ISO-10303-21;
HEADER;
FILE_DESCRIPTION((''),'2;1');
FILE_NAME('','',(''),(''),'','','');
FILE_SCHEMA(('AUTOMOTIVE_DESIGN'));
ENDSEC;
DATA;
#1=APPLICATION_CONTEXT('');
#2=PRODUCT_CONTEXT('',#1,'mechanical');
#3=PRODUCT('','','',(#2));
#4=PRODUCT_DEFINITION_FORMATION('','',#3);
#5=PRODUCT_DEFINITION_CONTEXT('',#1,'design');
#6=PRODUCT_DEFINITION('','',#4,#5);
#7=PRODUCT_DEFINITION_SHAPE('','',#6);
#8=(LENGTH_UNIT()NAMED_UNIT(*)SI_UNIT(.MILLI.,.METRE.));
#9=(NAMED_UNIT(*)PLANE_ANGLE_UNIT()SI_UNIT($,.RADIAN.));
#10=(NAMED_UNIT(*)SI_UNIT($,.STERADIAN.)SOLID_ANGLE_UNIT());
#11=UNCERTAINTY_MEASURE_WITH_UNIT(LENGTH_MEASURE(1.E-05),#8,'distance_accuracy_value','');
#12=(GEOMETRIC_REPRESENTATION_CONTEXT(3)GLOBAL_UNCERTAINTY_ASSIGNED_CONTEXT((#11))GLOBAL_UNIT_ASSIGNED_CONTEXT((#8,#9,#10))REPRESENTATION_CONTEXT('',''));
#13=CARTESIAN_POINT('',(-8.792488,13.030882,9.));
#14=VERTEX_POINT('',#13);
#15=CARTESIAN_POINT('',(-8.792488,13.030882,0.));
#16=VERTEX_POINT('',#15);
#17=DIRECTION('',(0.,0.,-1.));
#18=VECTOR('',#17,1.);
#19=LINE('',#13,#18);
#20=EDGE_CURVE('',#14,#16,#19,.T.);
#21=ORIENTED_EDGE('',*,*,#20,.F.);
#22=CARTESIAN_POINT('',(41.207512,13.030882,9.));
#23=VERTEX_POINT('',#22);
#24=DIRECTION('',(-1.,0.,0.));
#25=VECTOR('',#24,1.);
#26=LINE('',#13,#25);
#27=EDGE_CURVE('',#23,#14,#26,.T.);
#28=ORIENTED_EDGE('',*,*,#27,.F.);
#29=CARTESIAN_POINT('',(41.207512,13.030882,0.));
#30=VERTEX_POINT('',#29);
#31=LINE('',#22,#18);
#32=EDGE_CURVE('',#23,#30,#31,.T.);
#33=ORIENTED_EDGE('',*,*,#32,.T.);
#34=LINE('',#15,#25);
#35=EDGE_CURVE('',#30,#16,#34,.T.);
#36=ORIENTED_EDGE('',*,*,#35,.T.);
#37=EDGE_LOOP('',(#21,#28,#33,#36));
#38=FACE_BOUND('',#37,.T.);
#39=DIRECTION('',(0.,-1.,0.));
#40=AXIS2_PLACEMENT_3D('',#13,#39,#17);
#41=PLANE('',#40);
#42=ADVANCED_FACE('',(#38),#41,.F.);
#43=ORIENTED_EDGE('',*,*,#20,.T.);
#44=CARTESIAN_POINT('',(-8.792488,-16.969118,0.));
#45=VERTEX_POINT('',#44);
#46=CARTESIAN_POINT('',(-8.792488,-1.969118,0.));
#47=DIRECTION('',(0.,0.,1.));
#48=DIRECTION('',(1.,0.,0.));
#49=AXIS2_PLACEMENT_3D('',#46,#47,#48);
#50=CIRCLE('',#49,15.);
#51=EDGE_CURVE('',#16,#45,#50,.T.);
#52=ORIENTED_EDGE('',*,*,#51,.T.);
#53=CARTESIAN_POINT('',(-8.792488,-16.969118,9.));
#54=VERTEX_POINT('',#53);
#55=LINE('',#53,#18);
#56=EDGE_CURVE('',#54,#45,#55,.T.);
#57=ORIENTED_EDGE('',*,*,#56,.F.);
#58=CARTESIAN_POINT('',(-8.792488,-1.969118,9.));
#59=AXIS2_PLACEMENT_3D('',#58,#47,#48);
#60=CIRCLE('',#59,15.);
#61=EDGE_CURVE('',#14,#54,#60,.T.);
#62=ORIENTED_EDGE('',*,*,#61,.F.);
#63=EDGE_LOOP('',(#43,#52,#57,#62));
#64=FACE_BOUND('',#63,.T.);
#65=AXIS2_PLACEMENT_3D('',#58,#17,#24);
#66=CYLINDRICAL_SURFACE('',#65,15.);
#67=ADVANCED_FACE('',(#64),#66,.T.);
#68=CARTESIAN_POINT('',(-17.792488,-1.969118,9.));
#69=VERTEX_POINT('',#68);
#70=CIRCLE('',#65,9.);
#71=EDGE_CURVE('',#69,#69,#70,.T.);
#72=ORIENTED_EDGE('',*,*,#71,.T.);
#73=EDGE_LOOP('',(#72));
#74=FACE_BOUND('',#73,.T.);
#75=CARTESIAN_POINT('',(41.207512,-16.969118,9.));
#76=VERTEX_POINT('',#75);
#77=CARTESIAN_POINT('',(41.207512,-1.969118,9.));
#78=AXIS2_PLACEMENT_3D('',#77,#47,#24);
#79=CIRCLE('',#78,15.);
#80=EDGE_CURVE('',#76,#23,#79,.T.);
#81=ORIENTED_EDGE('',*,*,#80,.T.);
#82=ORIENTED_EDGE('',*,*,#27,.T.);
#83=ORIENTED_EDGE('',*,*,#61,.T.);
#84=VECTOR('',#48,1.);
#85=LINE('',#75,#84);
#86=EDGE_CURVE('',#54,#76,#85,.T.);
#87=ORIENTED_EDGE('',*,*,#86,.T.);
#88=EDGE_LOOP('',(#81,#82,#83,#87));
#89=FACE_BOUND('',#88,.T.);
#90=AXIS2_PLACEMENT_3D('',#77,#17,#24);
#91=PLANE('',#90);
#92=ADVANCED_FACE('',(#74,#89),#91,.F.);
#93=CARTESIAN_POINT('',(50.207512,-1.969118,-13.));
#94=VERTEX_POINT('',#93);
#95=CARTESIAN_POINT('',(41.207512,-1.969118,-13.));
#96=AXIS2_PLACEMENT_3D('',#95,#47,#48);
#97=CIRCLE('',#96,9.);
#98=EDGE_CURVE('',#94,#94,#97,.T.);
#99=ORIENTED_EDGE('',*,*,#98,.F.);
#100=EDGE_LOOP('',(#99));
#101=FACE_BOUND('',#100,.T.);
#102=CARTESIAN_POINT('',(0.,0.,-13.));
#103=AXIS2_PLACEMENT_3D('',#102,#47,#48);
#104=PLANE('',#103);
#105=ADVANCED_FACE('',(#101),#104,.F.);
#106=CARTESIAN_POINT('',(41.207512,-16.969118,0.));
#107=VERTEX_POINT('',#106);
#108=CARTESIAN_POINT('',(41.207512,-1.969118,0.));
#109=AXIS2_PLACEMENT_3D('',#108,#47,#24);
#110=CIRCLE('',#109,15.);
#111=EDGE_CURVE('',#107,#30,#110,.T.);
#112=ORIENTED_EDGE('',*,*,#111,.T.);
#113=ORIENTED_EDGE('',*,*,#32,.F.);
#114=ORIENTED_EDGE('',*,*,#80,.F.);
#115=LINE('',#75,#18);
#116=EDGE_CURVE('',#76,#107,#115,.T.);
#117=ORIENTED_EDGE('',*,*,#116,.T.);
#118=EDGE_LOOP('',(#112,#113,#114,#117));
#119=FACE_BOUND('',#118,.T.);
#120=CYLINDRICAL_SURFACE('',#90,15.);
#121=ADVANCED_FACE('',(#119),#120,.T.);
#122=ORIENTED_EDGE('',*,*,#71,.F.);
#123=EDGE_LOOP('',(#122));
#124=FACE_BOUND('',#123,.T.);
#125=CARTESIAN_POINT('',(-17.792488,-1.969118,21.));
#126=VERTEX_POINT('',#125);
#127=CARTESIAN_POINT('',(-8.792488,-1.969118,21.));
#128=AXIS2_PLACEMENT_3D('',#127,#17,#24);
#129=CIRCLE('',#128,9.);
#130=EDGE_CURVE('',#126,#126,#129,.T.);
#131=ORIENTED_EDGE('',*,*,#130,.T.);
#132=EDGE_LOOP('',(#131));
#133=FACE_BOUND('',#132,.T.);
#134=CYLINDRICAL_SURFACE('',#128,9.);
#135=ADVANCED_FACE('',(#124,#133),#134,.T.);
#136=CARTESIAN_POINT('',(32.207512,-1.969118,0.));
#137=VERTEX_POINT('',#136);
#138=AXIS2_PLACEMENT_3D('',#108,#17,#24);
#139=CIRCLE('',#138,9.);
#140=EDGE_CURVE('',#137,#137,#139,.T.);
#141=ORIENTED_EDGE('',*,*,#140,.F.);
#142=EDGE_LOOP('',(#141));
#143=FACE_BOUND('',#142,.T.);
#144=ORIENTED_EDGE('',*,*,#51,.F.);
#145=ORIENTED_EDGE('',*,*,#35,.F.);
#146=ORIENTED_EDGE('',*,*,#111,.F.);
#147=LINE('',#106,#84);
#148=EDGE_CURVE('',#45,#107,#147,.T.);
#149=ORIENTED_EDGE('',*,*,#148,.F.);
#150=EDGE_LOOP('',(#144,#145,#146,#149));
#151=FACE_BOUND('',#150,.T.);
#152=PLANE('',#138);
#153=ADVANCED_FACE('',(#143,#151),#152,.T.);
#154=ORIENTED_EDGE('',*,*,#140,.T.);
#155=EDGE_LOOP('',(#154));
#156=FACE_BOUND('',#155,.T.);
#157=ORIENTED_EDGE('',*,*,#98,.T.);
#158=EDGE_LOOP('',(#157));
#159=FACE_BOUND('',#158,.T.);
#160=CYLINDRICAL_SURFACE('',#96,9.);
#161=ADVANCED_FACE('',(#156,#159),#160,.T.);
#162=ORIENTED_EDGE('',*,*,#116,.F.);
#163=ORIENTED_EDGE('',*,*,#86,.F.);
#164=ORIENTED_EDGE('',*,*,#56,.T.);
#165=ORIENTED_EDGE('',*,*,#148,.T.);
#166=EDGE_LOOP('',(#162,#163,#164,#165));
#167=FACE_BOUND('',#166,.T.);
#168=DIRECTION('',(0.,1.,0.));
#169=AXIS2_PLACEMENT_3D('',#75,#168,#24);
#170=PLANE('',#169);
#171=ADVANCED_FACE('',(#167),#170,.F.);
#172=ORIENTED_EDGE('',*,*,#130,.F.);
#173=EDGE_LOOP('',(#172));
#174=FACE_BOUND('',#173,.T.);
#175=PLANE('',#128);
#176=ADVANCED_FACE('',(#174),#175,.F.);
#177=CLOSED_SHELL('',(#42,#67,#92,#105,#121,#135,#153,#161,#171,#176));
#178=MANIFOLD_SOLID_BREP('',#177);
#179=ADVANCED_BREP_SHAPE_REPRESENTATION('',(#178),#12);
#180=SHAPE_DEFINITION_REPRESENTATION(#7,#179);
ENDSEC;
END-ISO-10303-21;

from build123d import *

# Parameters (mm, degrees)
SALIENTE_EXTRUIR1_DEPTH = 9
CROQUIS2_R              = 9
SALIENTE_EXTRUIR2_DEPTH = 12
CROQUIS2_2_R            = 9
SALIENTE_EXTRUIR3_DEPTH = 22


with BuildPart() as part:
    # Croquis1 → Saliente-Extruir1 (new body)
    with BuildSketch(Plane.XY):
        with BuildLine():
            Line((-8.792487614, 13.030881789), (41.207512386, 13.030881789))
            ThreePointArc((41.207512386, 13.030881789), (56.207512386, -1.969118211), (41.207512386, -16.969118211))
            Line((41.207512386, -16.969118211), (-8.792487614, -16.969118211))
            ThreePointArc((-8.792487614, -16.969118211), (-23.792487614, -1.969118211), (-8.792487614, 13.030881789))
        make_face()
    extrude(amount=SALIENTE_EXTRUIR1_DEPTH)

    # Croquis2 → Saliente-Extruir2 (add)
    with BuildSketch(Plane.XY.offset(9)):
        with Locations((-8.792487614, -1.969118211)):
            Circle(CROQUIS2_R)
    extrude(amount=SALIENTE_EXTRUIR2_DEPTH)

    # Croquis2<2> → Saliente-Extruir3 (add)
    with BuildSketch(Plane.XY.offset(9)):
        with Locations((41.207512386, -1.969118211)):
            Circle(CROQUIS2_2_R)
    extrude(amount=-SALIENTE_EXTRUIR3_DEPTH)


solid = part.part
